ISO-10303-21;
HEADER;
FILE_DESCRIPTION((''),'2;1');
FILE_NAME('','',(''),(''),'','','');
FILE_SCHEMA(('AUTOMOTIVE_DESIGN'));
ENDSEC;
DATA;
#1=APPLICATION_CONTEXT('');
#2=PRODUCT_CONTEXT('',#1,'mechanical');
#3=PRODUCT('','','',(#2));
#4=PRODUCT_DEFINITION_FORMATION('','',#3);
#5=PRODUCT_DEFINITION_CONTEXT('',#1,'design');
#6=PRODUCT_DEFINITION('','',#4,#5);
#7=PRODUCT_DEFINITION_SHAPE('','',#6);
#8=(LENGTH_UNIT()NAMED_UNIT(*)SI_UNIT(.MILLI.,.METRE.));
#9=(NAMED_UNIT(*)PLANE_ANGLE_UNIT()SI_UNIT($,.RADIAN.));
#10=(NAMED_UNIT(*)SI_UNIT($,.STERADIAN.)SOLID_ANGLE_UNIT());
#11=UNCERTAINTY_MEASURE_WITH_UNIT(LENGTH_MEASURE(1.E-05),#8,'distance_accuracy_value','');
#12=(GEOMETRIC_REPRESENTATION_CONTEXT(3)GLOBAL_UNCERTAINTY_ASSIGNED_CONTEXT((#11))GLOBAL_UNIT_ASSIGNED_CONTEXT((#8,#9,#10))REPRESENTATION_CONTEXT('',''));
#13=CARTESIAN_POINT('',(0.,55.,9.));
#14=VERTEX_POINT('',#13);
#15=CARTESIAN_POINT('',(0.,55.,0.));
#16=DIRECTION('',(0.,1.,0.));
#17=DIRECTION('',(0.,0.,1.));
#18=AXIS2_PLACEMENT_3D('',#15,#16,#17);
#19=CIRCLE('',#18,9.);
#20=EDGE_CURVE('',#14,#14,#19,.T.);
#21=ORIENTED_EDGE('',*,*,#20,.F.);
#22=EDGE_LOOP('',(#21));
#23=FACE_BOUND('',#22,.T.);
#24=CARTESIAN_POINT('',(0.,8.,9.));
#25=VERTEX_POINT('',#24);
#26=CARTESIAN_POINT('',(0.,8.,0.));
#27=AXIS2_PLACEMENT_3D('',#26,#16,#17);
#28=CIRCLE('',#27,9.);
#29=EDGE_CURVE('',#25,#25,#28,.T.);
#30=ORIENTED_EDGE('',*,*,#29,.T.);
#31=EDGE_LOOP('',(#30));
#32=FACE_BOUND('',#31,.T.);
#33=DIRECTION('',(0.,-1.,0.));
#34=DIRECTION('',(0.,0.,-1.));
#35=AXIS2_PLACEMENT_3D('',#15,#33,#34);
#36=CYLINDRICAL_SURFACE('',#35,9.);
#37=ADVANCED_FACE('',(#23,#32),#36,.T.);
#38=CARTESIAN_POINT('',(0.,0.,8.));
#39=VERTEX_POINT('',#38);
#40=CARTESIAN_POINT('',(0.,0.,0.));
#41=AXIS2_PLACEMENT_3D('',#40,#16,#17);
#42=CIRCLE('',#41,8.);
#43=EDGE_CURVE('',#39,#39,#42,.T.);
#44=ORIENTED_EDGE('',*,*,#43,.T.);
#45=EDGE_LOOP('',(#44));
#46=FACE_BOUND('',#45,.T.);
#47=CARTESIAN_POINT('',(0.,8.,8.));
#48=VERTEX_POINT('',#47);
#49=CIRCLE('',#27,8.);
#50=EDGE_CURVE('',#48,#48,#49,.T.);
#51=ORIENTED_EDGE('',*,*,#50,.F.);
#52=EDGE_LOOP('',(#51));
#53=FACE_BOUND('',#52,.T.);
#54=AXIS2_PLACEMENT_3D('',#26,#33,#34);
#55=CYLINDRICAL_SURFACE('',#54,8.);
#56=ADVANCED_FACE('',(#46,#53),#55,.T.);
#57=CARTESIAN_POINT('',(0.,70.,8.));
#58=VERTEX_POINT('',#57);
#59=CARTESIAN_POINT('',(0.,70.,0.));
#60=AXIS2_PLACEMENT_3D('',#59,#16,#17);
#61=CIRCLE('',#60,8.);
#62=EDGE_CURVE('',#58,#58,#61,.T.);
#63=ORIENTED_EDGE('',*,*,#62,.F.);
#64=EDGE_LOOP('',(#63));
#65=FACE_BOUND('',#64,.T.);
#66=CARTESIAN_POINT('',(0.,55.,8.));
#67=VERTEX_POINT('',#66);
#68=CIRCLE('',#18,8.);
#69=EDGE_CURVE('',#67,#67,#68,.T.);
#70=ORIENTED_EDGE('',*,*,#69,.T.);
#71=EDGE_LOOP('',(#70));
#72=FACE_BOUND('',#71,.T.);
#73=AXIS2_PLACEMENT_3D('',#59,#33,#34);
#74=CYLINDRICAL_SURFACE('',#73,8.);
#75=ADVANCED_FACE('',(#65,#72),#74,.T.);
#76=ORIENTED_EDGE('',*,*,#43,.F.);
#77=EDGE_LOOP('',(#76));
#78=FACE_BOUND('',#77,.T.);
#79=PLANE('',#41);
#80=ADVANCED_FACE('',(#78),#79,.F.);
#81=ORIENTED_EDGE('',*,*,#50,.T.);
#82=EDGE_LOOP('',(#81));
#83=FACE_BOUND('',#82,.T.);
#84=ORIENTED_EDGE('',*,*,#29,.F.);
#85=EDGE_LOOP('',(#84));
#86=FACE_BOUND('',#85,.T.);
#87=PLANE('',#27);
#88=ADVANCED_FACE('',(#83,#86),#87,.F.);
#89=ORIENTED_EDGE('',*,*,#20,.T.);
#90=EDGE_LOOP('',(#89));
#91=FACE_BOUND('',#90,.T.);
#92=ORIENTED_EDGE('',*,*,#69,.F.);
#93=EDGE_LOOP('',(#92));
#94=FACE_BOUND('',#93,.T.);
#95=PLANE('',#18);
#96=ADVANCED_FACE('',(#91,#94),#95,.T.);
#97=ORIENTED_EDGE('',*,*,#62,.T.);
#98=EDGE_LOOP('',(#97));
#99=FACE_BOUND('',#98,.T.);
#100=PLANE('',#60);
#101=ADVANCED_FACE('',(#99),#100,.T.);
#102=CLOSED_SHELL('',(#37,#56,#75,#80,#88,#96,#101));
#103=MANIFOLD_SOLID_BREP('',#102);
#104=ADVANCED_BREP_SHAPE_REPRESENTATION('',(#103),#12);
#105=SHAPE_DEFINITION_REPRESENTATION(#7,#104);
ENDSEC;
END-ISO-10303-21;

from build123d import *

# Parameters (mm, degrees)
SKETCH1_R           = 8
BOSS_EXTRUDE1_DEPTH = 8
SKETCH2_R           = 9
BOSS_EXTRUDE2_DEPTH = 47
SKETCH3_R           = 8
BOSS_EXTRUDE3_DEPTH = 15


with BuildPart() as part:
    # Sketch1 → Boss-Extrude1 (new body)
    with BuildSketch(Plane(origin=(0, 0, 0), x_dir=(1, 0, 0), z_dir=(0, 1, 0))):
        Circle(SKETCH1_R)
    extrude(amount=BOSS_EXTRUDE1_DEPTH)

    # Sketch2 → Boss-Extrude2 (add)
    with BuildSketch(Plane(origin=(0, 8, 0), x_dir=(1, 0, 0), z_dir=(0, 1, 0))):
        Circle(SKETCH2_R)
    extrude(amount=BOSS_EXTRUDE2_DEPTH)

    # Sketch3 → Boss-Extrude3 (add)
    with BuildSketch(Plane(origin=(0, 55, 0), x_dir=(1, 0, 0), z_dir=(0, 1, 0))):
        Circle(SKETCH3_R)
    extrude(amount=BOSS_EXTRUDE3_DEPTH)


solid = part.part
